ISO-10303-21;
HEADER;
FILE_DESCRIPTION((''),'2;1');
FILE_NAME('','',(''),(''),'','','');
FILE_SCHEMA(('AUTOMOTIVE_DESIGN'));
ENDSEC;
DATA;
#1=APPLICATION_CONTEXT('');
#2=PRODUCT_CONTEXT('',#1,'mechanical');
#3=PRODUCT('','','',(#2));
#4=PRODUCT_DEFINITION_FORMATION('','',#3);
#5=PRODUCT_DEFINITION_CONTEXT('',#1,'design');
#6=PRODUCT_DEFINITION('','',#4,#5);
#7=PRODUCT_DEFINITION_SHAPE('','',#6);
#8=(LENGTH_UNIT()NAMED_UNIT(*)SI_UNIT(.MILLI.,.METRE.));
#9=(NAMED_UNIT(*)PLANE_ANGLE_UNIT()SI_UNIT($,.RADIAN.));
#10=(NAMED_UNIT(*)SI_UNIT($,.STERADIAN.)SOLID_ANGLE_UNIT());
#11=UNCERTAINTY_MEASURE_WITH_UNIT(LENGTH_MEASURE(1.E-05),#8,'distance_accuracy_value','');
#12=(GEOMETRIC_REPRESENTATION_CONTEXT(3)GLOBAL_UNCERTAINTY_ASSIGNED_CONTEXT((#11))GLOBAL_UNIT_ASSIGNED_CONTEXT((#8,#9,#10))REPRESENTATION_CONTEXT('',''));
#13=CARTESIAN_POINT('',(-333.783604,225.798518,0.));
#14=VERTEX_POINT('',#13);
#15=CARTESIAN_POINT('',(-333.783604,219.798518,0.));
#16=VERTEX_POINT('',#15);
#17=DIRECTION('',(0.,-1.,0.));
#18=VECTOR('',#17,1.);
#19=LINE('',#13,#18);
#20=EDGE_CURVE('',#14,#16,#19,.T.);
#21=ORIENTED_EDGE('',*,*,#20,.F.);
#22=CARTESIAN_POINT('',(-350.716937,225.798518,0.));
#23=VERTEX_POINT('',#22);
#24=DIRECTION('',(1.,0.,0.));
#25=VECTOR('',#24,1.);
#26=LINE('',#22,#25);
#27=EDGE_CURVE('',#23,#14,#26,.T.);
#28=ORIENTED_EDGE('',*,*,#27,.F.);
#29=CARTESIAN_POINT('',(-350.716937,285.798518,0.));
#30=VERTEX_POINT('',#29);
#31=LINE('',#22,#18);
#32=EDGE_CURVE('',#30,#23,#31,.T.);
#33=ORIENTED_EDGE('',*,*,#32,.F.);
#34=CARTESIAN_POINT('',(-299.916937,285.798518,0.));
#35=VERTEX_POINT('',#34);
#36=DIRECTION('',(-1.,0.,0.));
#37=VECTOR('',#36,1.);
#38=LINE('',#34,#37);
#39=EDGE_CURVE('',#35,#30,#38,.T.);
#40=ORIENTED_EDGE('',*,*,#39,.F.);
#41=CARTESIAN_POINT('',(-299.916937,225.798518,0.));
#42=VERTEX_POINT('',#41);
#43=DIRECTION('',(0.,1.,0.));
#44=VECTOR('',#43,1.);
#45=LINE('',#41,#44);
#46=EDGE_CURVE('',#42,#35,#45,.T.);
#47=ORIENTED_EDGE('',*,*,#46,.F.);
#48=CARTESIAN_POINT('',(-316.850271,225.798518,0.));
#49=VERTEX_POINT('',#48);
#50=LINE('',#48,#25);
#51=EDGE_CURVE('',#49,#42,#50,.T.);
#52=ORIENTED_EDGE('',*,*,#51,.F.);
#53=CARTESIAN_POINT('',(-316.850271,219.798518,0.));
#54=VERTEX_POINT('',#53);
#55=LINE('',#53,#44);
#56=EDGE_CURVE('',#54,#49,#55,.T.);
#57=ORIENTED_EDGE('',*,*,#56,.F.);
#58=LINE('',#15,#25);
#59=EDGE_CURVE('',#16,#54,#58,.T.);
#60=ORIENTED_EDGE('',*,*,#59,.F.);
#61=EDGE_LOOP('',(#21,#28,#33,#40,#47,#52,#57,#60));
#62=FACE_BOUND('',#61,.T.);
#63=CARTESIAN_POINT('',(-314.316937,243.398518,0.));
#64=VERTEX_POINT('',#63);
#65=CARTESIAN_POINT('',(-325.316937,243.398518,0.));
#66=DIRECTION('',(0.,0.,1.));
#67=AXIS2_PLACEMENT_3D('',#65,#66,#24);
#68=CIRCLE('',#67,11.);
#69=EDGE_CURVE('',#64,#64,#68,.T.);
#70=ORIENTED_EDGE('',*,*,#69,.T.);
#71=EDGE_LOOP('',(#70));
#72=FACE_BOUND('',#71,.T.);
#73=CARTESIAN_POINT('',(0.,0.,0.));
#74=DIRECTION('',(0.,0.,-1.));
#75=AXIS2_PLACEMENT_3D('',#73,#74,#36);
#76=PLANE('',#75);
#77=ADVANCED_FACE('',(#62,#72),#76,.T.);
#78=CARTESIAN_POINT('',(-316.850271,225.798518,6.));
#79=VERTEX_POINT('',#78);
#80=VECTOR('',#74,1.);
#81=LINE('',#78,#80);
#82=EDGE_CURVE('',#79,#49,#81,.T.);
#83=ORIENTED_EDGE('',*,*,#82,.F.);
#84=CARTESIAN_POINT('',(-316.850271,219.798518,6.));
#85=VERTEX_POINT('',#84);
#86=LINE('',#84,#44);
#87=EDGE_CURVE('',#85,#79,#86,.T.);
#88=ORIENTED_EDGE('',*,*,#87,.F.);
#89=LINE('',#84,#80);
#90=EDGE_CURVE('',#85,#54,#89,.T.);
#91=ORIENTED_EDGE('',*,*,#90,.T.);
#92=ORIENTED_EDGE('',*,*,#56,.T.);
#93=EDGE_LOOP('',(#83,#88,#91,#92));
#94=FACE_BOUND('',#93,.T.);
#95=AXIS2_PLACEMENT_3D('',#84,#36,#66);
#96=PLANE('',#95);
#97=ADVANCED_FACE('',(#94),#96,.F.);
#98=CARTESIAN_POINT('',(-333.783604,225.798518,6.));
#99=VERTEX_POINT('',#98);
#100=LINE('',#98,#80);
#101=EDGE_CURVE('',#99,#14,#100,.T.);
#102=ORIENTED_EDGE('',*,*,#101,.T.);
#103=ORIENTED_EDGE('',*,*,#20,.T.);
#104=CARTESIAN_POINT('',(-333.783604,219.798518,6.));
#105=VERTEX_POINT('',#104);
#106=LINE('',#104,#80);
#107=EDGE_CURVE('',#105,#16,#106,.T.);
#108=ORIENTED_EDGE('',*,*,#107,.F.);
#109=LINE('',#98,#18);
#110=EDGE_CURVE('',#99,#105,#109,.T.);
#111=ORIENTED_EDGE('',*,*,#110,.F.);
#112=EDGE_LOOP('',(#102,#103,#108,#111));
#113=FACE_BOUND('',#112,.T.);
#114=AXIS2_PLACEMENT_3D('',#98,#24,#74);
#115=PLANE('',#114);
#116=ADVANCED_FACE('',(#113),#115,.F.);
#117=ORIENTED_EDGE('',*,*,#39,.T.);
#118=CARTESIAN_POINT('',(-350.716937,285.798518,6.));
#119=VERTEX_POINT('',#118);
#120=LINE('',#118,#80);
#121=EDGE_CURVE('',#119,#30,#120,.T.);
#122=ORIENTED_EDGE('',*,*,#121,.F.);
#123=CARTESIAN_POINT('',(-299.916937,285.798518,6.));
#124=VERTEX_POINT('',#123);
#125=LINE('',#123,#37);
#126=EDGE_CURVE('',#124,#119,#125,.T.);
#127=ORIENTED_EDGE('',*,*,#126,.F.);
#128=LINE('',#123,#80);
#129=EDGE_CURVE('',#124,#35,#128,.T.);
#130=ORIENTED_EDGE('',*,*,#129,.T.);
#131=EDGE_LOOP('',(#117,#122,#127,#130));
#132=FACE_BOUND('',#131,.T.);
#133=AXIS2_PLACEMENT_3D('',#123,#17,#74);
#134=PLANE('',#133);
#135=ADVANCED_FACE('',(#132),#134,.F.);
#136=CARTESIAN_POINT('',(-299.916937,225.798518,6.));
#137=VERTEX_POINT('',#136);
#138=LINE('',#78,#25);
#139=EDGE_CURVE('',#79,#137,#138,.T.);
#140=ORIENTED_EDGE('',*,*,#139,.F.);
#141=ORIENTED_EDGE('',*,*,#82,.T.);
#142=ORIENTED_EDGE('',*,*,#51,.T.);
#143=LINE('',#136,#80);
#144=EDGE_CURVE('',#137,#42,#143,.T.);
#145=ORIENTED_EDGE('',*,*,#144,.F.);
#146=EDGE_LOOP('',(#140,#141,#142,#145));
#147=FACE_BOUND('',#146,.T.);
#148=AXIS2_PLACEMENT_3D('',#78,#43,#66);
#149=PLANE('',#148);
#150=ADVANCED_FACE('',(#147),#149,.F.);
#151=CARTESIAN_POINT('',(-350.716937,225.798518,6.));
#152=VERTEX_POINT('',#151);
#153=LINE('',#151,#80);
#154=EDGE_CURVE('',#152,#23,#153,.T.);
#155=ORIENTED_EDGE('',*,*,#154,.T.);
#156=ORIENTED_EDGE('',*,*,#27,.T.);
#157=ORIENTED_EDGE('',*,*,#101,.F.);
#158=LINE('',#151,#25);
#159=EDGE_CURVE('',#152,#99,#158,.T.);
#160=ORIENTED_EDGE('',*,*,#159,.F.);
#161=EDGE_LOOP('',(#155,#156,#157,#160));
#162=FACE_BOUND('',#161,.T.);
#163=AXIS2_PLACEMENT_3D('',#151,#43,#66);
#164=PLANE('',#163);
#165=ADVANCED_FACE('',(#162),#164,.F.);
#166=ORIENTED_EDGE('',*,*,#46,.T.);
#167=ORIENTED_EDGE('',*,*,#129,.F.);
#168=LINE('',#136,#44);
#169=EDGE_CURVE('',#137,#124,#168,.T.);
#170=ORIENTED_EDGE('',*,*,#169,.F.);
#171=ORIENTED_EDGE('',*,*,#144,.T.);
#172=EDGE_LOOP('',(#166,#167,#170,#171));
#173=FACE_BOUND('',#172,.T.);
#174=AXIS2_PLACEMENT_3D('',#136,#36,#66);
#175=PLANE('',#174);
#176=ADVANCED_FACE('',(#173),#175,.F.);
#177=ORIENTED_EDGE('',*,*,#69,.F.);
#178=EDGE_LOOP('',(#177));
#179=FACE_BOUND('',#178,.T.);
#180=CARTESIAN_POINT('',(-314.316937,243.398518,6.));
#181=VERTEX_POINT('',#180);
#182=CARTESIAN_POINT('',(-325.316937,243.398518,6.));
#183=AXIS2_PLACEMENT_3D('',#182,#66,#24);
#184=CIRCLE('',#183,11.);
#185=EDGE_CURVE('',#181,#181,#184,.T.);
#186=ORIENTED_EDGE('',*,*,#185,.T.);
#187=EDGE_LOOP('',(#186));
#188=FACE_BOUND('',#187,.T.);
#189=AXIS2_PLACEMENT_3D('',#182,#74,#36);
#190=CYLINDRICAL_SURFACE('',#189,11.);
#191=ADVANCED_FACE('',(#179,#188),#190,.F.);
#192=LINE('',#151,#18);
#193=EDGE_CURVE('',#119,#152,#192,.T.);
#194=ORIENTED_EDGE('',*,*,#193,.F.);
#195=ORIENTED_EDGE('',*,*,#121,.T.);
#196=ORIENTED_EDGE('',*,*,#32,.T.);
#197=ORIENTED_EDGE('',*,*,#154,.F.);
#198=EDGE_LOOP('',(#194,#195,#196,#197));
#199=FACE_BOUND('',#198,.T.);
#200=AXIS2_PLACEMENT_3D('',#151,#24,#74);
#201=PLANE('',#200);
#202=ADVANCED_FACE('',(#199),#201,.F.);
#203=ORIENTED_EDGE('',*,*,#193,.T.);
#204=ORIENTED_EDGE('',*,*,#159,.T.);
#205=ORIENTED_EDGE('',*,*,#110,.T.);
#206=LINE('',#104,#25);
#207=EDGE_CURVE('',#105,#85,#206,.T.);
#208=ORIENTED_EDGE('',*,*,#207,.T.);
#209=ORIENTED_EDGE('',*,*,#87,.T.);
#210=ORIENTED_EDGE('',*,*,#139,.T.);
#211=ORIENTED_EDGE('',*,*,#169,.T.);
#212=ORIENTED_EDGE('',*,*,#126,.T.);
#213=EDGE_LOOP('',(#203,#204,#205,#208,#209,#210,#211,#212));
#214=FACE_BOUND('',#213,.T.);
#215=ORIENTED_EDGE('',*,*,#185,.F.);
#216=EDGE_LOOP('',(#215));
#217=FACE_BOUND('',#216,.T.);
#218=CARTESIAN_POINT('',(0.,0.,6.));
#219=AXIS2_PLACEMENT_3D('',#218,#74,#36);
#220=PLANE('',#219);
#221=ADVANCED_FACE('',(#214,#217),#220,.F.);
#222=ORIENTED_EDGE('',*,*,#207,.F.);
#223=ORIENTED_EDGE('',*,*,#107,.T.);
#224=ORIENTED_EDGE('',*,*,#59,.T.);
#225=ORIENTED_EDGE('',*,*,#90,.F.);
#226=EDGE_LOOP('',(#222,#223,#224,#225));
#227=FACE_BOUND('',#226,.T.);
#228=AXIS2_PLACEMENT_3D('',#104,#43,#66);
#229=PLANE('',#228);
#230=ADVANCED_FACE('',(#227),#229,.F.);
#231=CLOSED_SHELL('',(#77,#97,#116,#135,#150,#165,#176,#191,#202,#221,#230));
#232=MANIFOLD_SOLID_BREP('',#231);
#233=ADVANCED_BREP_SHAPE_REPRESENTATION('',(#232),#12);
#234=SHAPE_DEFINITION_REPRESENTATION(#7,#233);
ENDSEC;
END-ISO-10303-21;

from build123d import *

# Parameters (mm, degrees)
SKETCH1_R           = 11
BOSS_EXTRUDE1_DEPTH = 6


with BuildPart() as part:
    # Sketch1 → Boss-Extrude1 (new body)
    with BuildSketch(Plane.XY):
        Polygon((-350.716937196, 225.798518154), (-350.716937196, 285.798518154), (-299.916937196, 285.798518154), (-299.916937196, 225.798518154), (-316.850270529, 225.798518154), (-316.850270529, 219.798518154), (-333.783603862, 219.798518154), (-333.783603862, 225.798518154), align=None)
        with Locations((-325.316937196, 243.398518154)):
            Circle(SKETCH1_R, mode=Mode.SUBTRACT)
    extrude(amount=BOSS_EXTRUDE1_DEPTH)


solid = part.part
